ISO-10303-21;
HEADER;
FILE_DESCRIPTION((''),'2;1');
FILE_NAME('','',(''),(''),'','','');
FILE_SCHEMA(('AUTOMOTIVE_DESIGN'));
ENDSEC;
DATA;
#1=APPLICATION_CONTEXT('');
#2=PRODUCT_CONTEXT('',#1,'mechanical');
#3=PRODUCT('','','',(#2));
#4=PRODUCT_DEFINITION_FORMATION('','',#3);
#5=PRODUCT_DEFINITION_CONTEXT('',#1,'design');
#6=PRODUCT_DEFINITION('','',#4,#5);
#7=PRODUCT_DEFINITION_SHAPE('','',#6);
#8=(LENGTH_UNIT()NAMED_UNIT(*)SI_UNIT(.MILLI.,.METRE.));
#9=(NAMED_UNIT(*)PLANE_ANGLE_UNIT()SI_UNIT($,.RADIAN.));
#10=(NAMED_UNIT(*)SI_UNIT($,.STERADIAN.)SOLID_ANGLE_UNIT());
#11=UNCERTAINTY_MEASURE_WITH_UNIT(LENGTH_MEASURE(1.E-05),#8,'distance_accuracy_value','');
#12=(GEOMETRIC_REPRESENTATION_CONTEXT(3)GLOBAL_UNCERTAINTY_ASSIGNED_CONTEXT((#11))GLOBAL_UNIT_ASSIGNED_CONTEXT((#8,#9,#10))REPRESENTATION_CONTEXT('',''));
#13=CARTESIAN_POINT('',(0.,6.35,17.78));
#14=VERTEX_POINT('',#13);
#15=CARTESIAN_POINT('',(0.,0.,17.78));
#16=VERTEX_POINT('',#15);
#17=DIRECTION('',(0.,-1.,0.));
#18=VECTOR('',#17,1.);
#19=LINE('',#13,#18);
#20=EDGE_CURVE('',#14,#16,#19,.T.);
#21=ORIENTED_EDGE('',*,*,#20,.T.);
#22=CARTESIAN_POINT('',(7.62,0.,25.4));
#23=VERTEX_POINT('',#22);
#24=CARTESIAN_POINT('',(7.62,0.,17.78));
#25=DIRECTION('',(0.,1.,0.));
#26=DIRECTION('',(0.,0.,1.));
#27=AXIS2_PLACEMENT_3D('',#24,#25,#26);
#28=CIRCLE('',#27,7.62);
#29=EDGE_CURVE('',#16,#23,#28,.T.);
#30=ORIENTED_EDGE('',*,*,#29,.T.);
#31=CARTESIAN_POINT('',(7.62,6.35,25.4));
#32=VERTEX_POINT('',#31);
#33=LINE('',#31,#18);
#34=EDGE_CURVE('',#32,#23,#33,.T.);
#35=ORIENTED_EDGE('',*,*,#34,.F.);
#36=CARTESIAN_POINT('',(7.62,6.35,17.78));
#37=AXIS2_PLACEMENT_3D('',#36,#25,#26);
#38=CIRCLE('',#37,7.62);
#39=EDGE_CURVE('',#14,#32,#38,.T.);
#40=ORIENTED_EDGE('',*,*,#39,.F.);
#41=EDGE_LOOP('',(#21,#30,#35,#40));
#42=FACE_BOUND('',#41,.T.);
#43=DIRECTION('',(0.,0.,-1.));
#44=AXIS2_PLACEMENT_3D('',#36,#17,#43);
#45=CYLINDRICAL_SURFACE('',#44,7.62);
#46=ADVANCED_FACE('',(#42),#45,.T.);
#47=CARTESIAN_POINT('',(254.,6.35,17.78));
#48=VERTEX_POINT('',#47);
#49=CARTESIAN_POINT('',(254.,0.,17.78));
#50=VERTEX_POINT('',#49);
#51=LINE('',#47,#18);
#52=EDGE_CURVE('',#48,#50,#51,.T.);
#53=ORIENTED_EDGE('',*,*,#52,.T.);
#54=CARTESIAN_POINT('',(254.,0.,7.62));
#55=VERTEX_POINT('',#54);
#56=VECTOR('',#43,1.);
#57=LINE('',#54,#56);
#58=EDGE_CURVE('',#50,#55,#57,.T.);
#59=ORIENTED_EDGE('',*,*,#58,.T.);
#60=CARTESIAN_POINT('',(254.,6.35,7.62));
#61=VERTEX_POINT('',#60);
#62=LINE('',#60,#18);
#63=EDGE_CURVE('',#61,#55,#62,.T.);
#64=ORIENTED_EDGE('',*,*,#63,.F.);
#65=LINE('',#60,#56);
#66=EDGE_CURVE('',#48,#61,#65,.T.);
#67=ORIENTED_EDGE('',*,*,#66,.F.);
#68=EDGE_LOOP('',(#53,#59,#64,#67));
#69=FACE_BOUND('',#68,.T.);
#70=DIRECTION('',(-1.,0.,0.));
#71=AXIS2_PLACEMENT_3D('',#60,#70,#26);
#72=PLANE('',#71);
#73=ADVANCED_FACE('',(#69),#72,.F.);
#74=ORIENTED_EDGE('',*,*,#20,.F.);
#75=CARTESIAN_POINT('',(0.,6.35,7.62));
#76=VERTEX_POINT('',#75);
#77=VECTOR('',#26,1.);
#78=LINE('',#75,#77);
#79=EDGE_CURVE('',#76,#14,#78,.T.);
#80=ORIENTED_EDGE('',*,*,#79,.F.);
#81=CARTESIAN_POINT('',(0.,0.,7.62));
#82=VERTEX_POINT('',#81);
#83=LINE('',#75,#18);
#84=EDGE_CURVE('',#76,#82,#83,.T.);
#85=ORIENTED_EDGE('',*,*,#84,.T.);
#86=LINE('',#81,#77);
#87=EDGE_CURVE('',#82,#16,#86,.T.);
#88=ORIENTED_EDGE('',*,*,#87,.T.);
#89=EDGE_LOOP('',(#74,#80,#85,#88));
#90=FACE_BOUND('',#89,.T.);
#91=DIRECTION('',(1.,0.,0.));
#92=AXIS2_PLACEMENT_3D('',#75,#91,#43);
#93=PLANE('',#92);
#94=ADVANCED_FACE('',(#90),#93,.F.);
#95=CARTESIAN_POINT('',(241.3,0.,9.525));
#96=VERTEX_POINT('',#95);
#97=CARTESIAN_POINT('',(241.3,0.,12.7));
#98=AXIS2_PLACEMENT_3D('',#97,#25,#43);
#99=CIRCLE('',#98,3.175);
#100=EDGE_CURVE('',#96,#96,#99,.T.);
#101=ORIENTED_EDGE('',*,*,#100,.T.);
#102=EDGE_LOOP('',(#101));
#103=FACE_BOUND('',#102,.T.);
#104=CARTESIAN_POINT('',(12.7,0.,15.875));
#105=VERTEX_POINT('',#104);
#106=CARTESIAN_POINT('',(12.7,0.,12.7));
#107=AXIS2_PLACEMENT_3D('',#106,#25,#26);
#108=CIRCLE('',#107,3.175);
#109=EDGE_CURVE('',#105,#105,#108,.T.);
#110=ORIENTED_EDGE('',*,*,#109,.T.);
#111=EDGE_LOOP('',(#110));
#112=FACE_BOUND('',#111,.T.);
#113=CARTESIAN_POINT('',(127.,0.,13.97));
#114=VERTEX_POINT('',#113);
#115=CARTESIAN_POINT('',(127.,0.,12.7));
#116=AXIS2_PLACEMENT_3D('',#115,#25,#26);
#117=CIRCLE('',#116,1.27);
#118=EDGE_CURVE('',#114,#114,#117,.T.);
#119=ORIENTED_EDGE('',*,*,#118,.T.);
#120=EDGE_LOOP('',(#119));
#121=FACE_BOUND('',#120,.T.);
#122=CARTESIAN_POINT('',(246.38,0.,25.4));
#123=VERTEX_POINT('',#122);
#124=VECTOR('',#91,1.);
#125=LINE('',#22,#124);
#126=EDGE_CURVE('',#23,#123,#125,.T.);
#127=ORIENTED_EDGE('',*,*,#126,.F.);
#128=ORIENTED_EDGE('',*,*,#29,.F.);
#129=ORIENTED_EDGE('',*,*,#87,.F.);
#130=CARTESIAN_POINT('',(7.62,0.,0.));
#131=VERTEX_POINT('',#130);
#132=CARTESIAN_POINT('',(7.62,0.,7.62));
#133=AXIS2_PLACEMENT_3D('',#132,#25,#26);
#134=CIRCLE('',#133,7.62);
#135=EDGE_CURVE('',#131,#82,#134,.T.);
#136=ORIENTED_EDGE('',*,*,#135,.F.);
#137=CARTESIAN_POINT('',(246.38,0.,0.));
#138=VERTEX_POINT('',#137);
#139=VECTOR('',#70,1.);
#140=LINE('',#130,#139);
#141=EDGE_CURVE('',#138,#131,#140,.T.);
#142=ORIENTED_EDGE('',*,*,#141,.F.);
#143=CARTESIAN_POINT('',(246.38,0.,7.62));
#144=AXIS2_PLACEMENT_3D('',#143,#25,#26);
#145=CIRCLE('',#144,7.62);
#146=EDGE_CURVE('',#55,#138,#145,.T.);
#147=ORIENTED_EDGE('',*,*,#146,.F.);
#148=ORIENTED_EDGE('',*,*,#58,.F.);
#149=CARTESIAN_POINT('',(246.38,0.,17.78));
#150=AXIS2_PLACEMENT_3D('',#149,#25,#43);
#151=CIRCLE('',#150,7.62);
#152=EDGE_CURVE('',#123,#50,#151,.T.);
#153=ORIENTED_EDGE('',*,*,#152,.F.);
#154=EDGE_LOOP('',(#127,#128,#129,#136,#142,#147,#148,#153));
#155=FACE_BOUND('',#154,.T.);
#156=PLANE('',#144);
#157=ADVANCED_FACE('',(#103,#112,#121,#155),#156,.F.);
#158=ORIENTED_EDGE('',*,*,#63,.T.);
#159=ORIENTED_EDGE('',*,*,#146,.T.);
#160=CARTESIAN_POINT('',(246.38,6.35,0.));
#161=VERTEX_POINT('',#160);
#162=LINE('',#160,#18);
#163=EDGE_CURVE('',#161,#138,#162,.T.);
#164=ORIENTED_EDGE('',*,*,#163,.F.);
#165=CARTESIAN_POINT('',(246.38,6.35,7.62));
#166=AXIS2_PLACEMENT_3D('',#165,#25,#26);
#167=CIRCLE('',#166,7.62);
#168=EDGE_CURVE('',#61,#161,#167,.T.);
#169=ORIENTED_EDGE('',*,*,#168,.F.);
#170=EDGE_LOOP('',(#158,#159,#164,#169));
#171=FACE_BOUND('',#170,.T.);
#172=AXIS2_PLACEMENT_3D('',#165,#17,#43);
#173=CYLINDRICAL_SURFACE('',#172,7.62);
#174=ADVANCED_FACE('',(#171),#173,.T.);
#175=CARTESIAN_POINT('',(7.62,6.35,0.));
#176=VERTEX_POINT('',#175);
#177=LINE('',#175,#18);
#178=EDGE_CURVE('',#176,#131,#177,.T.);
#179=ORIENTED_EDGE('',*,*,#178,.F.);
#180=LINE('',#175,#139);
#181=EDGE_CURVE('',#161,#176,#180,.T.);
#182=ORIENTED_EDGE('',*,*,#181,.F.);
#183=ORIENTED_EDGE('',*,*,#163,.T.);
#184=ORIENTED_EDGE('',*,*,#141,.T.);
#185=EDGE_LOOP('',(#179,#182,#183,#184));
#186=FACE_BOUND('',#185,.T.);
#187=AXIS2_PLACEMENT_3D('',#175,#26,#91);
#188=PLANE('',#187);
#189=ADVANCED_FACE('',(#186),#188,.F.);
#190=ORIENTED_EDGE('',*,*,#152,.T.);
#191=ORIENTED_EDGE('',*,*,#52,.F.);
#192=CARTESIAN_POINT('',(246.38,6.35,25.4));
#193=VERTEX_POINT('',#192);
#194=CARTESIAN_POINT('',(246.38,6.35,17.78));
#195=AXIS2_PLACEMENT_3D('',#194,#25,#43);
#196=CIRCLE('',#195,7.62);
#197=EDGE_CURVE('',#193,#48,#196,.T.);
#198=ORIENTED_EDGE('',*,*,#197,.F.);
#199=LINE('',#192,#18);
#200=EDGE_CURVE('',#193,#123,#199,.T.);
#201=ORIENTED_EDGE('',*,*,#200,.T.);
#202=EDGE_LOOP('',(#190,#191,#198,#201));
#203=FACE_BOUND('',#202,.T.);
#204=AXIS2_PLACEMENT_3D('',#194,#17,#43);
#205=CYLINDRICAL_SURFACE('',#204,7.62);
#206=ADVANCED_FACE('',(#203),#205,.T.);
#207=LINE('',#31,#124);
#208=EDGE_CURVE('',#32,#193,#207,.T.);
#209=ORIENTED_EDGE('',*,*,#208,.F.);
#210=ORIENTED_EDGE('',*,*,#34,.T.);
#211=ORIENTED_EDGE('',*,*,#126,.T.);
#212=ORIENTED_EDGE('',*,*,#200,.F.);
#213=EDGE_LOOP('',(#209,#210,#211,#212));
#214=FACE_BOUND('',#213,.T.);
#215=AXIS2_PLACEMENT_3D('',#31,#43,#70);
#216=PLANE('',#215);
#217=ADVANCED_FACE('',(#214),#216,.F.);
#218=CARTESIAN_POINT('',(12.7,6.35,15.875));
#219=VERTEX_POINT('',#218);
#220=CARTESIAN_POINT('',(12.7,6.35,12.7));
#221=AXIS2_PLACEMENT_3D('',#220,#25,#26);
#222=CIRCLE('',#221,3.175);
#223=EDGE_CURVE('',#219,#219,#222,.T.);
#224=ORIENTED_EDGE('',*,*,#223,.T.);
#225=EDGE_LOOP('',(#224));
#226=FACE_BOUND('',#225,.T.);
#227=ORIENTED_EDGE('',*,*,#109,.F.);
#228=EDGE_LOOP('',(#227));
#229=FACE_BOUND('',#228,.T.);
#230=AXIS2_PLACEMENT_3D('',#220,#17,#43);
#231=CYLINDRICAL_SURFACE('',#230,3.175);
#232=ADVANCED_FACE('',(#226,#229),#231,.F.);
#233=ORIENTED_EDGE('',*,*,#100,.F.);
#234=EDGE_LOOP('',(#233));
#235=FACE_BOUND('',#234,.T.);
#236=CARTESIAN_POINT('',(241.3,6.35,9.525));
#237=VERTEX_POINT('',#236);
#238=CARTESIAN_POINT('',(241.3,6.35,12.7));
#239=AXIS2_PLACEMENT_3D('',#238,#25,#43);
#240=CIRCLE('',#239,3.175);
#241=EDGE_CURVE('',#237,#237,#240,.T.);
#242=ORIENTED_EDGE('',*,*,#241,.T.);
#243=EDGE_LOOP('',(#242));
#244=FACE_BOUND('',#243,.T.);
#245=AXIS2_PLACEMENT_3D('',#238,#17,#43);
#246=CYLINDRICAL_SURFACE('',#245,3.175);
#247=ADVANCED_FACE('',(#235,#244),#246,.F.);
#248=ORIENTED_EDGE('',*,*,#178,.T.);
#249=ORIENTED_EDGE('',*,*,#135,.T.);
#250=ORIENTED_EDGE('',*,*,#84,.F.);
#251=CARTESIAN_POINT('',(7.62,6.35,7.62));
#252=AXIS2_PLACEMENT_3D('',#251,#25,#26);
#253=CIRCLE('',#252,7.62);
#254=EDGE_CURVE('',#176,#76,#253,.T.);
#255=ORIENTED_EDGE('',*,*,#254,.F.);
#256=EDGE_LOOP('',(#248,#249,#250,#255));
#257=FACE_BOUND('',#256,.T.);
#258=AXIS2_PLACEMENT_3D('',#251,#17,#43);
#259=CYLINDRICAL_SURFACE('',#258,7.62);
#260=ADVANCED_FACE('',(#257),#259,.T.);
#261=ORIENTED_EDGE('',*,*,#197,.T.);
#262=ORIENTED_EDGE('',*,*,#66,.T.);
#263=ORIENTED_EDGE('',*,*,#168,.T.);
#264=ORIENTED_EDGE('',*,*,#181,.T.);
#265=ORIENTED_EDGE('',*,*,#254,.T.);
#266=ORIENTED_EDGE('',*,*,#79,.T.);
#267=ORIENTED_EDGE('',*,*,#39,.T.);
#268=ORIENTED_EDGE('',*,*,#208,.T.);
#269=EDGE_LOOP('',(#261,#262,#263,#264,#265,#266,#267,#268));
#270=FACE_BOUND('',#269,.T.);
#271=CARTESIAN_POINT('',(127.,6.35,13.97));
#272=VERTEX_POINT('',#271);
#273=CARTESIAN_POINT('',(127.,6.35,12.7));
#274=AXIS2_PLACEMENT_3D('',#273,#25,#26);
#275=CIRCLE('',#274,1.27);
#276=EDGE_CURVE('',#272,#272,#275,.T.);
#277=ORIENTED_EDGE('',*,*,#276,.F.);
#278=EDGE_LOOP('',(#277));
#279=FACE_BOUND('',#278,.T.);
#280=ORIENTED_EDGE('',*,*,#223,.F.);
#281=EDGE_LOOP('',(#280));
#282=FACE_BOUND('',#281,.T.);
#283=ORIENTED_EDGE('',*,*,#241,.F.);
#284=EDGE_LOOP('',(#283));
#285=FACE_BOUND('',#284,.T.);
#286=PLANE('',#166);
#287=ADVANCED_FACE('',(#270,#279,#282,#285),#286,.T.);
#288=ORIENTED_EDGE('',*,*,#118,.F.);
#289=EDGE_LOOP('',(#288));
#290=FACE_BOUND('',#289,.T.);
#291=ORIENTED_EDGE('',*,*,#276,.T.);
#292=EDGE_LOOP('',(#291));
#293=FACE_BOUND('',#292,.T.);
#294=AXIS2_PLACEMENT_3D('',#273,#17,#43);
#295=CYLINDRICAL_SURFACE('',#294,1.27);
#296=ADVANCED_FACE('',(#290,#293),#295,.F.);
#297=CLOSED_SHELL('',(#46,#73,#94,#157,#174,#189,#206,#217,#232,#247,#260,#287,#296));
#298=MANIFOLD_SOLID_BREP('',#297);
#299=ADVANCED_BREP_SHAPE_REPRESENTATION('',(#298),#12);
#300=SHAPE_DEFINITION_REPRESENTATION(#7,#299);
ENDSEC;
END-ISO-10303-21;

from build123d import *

# Parameters (mm, degrees)
SKETCH1_R           = 3.175
SKETCH1_R_2         = 1.27
BOSS_EXTRUDE1_DEPTH = 6.35


with BuildPart() as part:
    # Sketch1 → Boss-Extrude1 (new body)
    with BuildSketch(Plane(origin=(0, 0, 0), x_dir=(1, 0, 0), z_dir=(0, 1, 0))):
        with BuildLine():
            Line((7.62, 0), (246.38, 0))
            ThreePointArc((246.38, 0), (251.768153673, -2.231846327), (254, -7.62))
            Line((254, -7.62), (254, -17.78))
            ThreePointArc((254, -17.78), (251.768153673, -23.168153673), (246.38, -25.4))
            Line((246.38, -25.4), (7.62, -25.4))
            ThreePointArc((7.62, -25.4), (2.231846327, -23.168153673), (0, -17.78))
            Line((0, -17.78), (0, -7.62))
            ThreePointArc((0, -7.62), (2.231846327, -2.231846327), (7.62, 0))
        make_face()
        with Locations(Location((12.7, -12.7, 0), (0, 0, 270))):
            Circle(SKETCH1_R, mode=Mode.SUBTRACT)
        with Locations(Location((241.3, -12.7, 0), (0, 0, 90))):
            Circle(SKETCH1_R, mode=Mode.SUBTRACT)
        with Locations(Location((127, -12.7, 0), (0, 0, 270))):
            Circle(SKETCH1_R_2, mode=Mode.SUBTRACT)
    extrude(amount=BOSS_EXTRUDE1_DEPTH)


solid = part.part
